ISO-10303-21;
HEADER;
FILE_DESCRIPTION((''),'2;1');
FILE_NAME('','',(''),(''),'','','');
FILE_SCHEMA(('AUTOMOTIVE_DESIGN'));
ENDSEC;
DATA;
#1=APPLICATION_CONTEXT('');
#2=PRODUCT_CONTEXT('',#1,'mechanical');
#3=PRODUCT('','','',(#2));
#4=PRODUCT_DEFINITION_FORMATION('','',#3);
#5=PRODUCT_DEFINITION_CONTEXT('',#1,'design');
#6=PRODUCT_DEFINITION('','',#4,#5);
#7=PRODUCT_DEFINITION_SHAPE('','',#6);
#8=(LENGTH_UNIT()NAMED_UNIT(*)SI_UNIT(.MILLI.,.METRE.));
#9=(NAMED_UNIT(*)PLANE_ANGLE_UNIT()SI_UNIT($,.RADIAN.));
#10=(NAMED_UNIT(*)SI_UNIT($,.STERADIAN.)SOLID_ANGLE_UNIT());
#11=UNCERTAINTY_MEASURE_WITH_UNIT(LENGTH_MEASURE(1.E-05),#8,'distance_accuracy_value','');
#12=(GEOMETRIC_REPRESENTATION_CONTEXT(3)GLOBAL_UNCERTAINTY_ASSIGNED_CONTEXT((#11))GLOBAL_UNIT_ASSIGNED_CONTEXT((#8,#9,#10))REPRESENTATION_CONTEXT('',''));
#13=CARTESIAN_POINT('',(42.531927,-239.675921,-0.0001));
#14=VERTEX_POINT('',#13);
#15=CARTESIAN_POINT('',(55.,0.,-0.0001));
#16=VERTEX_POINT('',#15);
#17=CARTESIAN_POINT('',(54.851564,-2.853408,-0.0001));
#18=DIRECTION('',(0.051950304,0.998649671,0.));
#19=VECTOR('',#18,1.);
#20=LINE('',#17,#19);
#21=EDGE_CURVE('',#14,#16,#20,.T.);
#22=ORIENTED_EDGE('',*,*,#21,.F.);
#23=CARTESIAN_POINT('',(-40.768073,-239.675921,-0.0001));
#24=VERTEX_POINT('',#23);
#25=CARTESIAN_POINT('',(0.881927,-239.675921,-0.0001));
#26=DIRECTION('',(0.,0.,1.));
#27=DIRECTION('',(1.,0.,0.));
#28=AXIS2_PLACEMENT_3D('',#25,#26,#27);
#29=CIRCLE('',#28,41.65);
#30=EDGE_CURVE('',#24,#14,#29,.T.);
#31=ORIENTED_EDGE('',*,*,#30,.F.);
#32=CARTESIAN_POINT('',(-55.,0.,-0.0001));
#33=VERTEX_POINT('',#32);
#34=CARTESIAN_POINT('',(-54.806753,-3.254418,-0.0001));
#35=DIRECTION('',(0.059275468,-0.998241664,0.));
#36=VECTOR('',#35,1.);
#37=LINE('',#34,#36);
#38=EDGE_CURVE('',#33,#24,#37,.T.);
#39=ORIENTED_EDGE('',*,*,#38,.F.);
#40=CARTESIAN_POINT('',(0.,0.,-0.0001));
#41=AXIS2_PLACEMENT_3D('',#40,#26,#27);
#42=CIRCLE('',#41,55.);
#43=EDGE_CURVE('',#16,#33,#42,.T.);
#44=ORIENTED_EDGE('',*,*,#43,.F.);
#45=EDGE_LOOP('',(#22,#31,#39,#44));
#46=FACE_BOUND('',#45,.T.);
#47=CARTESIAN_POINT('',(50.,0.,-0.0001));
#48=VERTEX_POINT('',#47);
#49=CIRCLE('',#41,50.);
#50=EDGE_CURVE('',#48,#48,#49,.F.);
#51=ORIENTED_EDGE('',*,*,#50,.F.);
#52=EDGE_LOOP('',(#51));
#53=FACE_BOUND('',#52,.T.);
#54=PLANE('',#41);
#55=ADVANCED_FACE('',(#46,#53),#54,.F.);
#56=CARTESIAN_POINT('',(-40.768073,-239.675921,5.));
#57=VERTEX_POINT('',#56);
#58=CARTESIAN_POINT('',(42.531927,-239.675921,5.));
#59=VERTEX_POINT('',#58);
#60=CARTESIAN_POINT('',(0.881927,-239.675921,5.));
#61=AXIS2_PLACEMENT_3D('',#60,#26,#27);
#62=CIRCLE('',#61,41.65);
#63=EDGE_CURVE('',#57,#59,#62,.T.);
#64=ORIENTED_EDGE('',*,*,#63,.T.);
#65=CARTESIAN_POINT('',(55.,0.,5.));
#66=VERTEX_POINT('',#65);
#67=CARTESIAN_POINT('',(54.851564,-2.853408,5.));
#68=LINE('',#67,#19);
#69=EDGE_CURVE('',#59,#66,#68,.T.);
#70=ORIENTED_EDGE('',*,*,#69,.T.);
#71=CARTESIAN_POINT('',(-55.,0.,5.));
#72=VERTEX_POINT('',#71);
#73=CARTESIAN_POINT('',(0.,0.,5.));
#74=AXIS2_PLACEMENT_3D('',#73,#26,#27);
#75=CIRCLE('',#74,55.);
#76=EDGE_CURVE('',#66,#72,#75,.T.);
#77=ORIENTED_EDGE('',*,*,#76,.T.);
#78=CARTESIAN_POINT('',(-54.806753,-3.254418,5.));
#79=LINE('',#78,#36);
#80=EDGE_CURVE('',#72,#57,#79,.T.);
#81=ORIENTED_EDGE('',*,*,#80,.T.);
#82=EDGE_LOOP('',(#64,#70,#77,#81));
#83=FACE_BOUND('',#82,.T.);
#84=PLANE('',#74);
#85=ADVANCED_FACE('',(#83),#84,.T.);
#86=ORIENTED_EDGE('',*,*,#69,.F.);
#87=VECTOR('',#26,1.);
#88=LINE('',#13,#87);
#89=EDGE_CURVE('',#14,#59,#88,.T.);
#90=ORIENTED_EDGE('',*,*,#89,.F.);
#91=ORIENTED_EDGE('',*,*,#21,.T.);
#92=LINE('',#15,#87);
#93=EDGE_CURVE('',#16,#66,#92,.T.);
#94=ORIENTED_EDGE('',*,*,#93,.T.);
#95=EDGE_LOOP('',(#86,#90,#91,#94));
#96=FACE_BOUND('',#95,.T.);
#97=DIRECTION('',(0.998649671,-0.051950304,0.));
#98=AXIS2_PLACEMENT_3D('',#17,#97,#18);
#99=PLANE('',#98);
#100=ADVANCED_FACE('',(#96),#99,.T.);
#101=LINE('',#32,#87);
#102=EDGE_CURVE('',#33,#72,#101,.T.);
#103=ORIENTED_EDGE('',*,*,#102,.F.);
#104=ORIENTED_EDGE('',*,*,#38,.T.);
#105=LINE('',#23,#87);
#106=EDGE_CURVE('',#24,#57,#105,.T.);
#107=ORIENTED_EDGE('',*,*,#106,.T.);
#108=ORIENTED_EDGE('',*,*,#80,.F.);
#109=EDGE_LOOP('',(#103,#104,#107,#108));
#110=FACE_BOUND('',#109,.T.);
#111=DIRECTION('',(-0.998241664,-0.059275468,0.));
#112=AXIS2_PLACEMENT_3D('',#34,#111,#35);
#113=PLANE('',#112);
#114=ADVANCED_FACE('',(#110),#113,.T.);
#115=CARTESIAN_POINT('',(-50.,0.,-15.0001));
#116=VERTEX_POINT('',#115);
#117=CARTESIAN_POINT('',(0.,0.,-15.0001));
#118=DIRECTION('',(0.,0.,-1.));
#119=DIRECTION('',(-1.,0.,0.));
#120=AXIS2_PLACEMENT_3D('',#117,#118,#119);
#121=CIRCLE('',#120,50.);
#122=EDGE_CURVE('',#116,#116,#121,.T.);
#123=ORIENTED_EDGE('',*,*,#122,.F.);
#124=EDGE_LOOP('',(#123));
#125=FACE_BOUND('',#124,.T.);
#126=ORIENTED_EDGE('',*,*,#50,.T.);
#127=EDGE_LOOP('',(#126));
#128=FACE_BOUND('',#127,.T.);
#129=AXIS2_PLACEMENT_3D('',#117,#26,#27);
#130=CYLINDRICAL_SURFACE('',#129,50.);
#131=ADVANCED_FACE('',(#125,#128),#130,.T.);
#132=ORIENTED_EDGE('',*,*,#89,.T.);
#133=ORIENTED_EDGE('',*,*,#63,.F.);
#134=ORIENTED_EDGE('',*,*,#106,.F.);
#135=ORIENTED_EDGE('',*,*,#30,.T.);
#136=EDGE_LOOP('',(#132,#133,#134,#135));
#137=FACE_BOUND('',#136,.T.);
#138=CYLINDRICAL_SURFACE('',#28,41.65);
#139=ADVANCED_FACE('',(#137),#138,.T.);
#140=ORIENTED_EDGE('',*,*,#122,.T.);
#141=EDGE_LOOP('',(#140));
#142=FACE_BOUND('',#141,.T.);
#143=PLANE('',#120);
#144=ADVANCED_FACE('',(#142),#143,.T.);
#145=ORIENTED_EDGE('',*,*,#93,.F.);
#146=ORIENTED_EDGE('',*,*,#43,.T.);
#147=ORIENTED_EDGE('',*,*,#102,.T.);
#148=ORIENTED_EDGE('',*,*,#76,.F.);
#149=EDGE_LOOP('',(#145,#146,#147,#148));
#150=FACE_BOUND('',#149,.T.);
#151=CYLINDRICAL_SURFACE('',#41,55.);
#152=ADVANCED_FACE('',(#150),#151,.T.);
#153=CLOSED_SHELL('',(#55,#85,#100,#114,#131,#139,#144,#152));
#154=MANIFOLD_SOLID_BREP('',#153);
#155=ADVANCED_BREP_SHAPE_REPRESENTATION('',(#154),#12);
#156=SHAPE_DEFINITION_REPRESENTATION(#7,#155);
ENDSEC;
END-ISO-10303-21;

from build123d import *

# Parameters (mm, degrees)
BOSS_EXTRUDE1_DEPTH      = 5
BOSS_EXTRUDE1_DEPTH_BACK = 0.0001
SKETCH2_R                = 50
BOSS_EXTRUDE2_DEPTH      = 15


with BuildPart() as part:
    # Sketch1 → Boss-Extrude1 (new, two sides: drawn at the far end of the back side and taken through both)
    with BuildSketch(Plane.XY.offset(-BOSS_EXTRUDE1_DEPTH_BACK)):
        with BuildLine():
            ThreePointArc((55, 0), (0, 55), (-55, 0))
            Line((-55, 0), (-40.768073077, -239.675921097))
            ThreePointArc((-40.768073077, -239.675921097), (0.881926923, -281.325921097), (42.531926923, -239.675921097))
            Line((42.531926923, -239.675921097), (55, 0))
        make_face()
    extrude(amount=BOSS_EXTRUDE1_DEPTH + BOSS_EXTRUDE1_DEPTH_BACK)

    # Sketch2 → Boss-Extrude2 (add)
    with BuildSketch(Plane(origin=(0, 0, -0.0001), x_dir=(-1, 0, 0), z_dir=(0, 0, -1))):
        with Locations(Location((0, 0, 0), (0, 0, 180))):
            Circle(SKETCH2_R)
    extrude(amount=BOSS_EXTRUDE2_DEPTH)


solid = part.part
